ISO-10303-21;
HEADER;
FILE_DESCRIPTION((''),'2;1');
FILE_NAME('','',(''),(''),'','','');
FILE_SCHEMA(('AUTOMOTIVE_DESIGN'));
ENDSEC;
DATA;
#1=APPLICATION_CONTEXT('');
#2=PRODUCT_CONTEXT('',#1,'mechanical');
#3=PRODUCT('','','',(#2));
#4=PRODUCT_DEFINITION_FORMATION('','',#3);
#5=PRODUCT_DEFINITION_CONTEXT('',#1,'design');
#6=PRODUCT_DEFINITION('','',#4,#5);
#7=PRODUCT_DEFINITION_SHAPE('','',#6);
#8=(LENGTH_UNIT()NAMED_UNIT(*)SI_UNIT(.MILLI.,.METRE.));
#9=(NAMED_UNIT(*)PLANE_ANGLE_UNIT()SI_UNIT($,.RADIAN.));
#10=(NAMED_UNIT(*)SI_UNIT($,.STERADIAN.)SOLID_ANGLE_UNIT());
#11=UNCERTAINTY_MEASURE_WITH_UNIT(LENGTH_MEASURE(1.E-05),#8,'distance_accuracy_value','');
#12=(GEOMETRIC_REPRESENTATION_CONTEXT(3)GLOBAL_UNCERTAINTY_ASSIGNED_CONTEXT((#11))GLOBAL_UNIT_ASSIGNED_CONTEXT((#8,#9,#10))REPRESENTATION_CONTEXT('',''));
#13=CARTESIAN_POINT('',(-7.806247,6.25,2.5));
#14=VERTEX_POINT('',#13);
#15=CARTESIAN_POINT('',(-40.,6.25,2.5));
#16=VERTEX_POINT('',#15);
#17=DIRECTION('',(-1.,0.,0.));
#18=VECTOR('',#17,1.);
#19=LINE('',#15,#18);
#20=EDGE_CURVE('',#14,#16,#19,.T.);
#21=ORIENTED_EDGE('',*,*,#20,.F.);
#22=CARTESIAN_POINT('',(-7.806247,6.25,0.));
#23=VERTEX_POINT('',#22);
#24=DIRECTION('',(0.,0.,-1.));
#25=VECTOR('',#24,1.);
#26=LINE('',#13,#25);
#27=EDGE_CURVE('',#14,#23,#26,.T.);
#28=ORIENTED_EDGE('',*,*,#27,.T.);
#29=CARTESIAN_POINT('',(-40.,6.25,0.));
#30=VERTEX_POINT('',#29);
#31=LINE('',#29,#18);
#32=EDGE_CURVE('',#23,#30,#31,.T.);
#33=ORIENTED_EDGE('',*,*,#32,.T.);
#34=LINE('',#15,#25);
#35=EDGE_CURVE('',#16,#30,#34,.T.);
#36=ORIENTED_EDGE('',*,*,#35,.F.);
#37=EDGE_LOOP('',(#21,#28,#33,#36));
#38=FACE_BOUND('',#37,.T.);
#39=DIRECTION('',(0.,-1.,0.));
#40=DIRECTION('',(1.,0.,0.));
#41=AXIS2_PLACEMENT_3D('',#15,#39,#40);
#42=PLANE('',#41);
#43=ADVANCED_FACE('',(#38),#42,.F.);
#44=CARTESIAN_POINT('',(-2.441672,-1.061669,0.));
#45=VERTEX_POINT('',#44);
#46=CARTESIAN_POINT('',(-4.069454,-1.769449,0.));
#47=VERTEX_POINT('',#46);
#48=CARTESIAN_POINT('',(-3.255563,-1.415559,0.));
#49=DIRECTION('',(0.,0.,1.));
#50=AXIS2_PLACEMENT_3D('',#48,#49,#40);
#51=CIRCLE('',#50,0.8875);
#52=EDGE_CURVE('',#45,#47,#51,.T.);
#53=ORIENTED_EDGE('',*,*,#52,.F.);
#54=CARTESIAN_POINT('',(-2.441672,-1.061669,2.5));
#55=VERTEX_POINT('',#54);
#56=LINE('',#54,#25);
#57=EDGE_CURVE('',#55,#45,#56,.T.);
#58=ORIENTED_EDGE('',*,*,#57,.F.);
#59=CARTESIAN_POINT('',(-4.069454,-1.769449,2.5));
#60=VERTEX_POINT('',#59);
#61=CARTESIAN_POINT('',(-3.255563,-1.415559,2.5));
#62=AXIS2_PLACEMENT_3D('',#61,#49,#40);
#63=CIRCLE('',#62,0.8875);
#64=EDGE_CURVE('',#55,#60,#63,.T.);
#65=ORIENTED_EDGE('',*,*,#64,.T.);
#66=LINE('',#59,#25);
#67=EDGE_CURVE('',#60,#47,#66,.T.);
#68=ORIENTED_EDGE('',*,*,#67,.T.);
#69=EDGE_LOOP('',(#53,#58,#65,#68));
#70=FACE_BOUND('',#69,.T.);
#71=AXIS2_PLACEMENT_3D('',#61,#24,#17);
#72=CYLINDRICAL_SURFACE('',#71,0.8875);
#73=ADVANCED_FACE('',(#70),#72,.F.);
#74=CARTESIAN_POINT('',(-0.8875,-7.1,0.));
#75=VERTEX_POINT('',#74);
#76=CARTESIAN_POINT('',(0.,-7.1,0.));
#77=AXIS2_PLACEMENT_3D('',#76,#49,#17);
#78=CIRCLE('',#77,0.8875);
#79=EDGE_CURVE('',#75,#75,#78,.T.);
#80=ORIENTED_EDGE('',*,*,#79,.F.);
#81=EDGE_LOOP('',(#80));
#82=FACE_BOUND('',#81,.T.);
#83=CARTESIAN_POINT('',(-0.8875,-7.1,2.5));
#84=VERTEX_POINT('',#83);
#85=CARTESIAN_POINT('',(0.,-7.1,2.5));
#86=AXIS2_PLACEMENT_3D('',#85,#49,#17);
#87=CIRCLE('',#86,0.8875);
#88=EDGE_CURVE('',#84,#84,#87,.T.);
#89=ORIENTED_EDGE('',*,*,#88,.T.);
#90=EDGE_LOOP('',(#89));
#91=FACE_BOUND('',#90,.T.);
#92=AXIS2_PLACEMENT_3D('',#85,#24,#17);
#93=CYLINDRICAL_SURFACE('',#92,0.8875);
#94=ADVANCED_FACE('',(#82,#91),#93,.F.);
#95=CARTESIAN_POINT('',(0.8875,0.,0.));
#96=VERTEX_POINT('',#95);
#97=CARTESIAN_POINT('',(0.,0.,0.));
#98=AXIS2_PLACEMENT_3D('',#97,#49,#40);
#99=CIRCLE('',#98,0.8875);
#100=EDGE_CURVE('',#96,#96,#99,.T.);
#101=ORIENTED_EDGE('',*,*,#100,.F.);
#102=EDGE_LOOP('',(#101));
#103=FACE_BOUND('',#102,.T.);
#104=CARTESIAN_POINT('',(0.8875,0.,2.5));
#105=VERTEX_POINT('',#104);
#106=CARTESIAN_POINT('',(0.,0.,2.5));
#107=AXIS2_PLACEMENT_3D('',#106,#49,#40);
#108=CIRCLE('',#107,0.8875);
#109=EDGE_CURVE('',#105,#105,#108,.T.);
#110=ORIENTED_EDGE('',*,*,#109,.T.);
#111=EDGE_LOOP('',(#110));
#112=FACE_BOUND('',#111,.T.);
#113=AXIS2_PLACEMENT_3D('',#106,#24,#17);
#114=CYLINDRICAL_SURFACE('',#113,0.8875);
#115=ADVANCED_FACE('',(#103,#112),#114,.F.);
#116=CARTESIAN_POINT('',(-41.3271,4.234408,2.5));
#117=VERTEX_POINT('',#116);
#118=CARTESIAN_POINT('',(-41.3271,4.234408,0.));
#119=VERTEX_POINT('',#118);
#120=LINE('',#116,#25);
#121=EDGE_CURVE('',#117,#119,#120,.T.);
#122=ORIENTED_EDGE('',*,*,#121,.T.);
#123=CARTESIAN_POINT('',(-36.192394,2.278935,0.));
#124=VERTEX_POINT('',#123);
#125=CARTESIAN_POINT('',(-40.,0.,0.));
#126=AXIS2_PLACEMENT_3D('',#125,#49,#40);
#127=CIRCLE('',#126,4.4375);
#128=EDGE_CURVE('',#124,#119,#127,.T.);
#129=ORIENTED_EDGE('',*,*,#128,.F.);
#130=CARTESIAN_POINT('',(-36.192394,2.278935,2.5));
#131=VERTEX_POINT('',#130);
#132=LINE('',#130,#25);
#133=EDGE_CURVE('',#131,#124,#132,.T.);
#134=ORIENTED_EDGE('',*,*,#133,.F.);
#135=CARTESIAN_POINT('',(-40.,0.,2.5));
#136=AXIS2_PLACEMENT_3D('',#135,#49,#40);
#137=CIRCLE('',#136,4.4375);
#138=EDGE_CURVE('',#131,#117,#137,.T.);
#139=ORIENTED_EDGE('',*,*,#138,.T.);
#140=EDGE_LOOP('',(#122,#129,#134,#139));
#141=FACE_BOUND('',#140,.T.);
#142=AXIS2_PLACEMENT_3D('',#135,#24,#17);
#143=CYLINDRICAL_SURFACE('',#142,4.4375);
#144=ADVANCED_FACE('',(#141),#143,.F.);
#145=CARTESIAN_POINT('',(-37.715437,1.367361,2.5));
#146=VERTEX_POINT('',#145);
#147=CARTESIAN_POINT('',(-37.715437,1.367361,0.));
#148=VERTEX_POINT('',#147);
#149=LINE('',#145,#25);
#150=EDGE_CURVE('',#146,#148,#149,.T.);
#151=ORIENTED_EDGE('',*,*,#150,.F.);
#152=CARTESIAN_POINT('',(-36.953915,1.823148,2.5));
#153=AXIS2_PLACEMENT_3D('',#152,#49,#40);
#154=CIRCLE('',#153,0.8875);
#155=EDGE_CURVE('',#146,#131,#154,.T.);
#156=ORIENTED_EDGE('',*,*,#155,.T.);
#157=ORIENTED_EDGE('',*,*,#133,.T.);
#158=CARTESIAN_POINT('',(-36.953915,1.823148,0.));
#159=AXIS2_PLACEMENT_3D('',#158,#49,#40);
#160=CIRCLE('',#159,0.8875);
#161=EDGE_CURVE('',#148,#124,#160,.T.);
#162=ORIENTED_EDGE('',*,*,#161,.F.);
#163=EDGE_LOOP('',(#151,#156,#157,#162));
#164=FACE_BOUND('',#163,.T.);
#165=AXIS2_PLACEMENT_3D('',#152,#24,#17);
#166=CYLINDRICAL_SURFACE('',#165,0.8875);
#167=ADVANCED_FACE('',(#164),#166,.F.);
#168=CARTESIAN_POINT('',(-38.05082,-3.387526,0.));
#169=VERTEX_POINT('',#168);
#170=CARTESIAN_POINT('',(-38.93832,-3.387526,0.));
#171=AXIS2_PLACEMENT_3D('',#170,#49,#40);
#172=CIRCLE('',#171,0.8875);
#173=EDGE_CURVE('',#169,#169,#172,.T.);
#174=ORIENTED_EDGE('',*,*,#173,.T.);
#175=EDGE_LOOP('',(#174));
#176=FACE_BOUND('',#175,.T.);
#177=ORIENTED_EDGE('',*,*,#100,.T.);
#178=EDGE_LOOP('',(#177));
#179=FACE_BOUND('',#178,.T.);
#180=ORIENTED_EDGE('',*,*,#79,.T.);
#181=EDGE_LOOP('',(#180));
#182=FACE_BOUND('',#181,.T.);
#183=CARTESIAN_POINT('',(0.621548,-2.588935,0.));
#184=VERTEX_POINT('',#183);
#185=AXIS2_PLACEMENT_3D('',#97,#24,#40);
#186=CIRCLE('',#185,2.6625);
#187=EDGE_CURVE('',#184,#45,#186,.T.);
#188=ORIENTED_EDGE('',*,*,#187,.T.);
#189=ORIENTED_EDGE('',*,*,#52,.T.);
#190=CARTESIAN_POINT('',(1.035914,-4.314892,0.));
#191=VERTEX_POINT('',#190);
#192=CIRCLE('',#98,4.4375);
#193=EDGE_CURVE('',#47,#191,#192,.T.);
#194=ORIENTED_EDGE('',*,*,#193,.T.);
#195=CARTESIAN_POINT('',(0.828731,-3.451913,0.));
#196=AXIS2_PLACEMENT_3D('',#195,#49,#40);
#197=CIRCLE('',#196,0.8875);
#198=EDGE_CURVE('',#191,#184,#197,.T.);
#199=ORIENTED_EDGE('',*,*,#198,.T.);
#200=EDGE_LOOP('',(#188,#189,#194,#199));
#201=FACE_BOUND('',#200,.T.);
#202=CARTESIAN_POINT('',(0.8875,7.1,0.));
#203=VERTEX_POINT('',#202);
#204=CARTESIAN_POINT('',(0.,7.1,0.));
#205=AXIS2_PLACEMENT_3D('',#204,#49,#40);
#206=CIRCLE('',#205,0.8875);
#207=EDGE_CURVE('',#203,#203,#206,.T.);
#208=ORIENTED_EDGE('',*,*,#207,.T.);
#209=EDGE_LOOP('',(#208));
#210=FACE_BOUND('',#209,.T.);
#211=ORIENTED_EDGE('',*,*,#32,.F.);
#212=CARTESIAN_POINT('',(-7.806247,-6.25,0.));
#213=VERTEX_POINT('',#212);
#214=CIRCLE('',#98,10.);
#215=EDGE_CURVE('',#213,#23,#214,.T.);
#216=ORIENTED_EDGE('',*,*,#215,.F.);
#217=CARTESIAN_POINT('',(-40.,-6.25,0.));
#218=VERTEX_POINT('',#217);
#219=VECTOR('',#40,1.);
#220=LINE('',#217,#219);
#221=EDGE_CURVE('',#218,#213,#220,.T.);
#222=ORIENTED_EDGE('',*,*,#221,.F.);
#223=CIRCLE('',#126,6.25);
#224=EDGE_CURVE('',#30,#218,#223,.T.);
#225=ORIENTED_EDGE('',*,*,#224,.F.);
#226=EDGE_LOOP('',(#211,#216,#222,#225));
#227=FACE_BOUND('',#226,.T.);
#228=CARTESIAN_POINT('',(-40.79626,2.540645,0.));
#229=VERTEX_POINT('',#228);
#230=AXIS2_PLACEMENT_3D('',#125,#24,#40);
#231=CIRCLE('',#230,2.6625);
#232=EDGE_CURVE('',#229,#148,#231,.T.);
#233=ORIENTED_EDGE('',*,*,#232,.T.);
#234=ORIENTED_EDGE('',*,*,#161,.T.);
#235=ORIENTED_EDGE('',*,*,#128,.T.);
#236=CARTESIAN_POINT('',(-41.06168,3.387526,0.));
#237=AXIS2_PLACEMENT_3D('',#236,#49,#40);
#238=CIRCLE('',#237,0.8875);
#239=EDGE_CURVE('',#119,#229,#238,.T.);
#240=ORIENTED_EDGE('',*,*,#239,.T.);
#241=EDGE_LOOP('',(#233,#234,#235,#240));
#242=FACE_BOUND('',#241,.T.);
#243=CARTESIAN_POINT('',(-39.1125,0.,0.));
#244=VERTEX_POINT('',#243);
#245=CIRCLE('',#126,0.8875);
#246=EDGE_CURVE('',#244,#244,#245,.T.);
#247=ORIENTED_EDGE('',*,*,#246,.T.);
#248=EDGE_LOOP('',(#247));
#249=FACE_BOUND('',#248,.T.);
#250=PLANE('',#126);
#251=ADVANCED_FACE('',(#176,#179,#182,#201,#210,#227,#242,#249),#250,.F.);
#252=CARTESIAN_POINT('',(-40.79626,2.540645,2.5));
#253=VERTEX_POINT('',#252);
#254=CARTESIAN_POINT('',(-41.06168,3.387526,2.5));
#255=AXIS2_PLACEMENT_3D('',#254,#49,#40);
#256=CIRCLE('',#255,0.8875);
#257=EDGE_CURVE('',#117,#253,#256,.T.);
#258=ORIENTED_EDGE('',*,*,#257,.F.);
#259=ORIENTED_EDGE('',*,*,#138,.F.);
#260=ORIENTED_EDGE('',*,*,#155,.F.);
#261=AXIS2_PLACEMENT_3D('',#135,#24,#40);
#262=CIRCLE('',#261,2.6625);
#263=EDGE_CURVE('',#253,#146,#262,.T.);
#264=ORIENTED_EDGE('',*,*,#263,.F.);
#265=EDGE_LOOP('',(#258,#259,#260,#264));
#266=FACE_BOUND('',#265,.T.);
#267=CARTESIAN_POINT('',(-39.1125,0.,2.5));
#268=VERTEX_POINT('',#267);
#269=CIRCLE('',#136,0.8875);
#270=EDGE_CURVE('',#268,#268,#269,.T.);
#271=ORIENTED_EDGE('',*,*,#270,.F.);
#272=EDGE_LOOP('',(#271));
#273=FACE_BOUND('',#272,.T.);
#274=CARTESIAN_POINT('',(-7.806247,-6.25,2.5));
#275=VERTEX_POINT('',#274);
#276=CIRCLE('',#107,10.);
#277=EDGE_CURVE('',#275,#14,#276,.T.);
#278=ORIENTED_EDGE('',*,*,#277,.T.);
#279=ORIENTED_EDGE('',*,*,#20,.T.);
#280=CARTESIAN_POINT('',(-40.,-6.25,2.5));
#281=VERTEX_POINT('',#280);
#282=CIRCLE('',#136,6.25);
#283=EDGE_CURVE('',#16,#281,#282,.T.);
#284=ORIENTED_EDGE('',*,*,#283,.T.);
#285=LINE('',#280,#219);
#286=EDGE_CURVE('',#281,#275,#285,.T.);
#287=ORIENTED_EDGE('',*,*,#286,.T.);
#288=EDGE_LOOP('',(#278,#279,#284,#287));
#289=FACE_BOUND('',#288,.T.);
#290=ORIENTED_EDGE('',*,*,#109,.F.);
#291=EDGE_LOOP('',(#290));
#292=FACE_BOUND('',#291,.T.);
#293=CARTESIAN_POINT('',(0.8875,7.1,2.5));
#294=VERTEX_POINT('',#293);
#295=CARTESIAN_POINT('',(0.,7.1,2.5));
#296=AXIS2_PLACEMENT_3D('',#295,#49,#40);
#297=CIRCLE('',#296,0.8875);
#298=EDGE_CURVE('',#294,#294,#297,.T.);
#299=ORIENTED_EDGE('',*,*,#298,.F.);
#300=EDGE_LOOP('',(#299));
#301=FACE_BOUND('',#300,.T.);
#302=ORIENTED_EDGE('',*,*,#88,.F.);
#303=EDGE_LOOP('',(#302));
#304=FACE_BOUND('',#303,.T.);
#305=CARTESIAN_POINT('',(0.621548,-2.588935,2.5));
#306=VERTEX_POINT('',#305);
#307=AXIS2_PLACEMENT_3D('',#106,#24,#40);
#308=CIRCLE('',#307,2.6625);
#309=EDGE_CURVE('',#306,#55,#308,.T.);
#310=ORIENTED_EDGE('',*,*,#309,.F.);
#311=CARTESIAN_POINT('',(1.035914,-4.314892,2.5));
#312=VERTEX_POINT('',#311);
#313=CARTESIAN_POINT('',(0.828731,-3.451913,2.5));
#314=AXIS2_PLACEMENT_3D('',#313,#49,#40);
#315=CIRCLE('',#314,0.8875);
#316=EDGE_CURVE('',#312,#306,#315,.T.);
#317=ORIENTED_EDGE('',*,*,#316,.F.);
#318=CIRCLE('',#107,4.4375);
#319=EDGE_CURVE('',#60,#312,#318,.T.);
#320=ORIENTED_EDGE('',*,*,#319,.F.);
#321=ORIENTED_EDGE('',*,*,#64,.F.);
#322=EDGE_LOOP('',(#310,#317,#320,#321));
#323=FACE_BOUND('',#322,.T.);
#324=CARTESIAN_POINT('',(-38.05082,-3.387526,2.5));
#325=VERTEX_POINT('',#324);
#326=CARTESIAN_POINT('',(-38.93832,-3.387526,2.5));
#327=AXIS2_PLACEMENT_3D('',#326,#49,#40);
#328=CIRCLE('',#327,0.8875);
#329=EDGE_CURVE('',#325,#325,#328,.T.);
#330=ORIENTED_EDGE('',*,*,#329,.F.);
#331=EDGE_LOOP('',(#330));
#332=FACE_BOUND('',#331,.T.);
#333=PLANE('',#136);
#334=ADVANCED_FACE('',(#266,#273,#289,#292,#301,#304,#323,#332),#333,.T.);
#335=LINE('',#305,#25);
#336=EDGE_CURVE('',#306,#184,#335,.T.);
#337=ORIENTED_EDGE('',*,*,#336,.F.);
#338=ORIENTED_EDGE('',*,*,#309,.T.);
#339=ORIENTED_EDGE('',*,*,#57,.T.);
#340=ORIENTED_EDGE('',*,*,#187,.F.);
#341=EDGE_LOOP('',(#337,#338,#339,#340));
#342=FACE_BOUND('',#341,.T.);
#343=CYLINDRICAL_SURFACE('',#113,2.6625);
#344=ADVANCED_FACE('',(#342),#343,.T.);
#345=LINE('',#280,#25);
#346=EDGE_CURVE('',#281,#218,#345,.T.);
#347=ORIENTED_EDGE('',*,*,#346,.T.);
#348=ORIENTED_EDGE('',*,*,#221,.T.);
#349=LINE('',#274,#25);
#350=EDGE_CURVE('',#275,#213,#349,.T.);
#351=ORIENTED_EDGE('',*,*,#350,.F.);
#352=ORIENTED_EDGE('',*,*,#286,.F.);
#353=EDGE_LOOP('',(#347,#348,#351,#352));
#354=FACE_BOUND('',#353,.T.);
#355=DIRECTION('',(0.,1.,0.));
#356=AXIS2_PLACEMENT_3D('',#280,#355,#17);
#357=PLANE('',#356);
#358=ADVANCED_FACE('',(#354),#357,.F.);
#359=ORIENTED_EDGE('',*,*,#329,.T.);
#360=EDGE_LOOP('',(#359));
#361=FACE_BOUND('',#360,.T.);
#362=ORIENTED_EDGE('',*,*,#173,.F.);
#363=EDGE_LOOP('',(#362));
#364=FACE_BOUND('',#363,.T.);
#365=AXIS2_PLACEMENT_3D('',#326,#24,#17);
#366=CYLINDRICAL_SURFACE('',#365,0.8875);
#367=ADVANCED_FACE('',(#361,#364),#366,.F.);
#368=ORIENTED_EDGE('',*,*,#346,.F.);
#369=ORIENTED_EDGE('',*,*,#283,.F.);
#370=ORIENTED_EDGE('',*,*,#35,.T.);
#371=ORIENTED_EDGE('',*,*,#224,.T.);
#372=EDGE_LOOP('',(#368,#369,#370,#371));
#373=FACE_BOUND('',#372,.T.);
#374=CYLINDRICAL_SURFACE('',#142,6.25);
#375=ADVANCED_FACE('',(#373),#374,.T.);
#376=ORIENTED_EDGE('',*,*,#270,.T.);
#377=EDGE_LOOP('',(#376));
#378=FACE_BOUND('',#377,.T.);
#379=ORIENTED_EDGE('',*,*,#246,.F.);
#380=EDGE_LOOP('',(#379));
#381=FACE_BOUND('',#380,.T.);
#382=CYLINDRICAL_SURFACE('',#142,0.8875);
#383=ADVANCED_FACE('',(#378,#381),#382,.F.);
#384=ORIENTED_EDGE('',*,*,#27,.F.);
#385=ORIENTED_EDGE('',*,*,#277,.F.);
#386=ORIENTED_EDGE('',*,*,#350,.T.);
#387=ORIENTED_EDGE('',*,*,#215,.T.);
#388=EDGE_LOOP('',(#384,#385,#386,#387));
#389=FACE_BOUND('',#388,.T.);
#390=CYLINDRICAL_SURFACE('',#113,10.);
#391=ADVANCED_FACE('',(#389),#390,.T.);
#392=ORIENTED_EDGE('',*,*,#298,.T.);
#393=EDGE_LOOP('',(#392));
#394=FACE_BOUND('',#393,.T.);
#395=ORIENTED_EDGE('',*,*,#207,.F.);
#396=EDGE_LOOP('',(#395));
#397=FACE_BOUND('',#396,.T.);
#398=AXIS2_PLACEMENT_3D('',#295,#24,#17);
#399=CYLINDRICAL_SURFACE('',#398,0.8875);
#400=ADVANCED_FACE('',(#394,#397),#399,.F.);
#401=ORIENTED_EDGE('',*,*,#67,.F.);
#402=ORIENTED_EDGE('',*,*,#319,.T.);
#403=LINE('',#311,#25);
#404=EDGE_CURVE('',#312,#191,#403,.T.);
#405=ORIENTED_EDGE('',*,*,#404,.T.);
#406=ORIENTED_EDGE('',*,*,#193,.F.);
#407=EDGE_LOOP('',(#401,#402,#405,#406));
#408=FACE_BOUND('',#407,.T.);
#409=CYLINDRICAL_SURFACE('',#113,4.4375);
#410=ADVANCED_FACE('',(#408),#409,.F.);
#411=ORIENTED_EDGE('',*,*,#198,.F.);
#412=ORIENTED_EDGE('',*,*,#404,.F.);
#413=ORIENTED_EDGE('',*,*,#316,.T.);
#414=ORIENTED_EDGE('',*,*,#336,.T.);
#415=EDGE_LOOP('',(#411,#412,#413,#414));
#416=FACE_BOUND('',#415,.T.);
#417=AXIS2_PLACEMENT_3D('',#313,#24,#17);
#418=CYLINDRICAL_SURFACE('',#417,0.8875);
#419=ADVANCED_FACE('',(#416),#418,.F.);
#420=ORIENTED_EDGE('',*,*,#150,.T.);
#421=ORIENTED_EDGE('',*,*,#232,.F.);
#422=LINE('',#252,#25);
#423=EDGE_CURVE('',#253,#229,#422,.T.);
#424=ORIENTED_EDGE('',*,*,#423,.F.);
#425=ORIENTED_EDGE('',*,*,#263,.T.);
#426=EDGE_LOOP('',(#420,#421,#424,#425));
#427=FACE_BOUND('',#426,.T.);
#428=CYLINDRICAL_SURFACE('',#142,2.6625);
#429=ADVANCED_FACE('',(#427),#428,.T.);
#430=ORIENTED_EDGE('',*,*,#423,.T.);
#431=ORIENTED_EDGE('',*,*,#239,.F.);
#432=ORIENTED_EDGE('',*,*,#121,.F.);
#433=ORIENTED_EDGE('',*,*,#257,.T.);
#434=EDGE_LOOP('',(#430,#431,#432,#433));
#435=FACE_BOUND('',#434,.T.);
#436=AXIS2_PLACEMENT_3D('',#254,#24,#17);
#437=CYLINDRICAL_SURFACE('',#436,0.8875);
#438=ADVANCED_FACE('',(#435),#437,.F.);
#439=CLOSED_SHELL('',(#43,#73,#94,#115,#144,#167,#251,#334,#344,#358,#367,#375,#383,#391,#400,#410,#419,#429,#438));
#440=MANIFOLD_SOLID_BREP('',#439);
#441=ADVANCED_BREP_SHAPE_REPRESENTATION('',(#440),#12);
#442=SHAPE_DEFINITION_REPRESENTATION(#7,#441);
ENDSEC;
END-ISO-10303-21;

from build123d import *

# Parameters (mm, degrees)
SKETCH1_R           = 0.8875
BOSS_EXTRUDE1_DEPTH = 2.5


with BuildPart() as part:
    # Sketch1 → Boss-Extrude1 (new body)
    with BuildSketch(Plane.XY):
        with BuildLine():
            Line((-40, 6.25), (-7.806247498, 6.25))
            ThreePointArc((-7.806247498, 6.25), (10, 0), (-7.806247498, -6.25))
            Line((-7.806247498, -6.25), (-40, -6.25))
            ThreePointArc((-40, -6.25), (-46.25, 0), (-40, 6.25))
        make_face()
        Circle(SKETCH1_R, mode=Mode.SUBTRACT)
        with Locations((-40, 0)):
            Circle(SKETCH1_R, mode=Mode.SUBTRACT)
        with Locations((0, 7.1)):
            Circle(SKETCH1_R, mode=Mode.SUBTRACT)
        with Locations((0, -7.1)):
            Circle(SKETCH1_R, mode=Mode.SUBTRACT)
        with Locations((-38.938319925, -3.387526445)):
            Circle(SKETCH1_R, mode=Mode.SUBTRACT)
        with BuildLine():
            ThreePointArc((-36.192394339, 2.278935142), (-38.420697766, 4.146951977), (-41.327100094, 4.234408057))
            ThreePointArc((-41.327100094, 4.234408057), (-41.908561687, 3.122106427), (-40.796260056, 2.540644834))
            ThreePointArc((-40.796260056, 2.540644834), (-39.05241866, 2.488171186), (-37.715436604, 1.367361085))
            ThreePointArc((-37.715436604, 1.367361085), (-36.498128443, 1.061626982), (-36.192394339, 2.278935142))
        make_face(mode=Mode.SUBTRACT)
        with BuildLine():
            ThreePointArc((-4.06945408, -1.769448993), (-1.980002796, -3.97127123), (1.035913802, -4.314891522))
            ThreePointArc((1.035913802, -4.314891522), (1.691709346, -3.244730457), (0.621548281, -2.588934913))
            ThreePointArc((0.621548281, -2.588934913), (-1.188001677, -2.382762738), (-2.441672448, -1.061669396))
            ThreePointArc((-2.441672448, -1.061669396), (-3.609453063, -0.601668379), (-4.06945408, -1.769448993))
        make_face(mode=Mode.SUBTRACT)
    extrude(amount=BOSS_EXTRUDE1_DEPTH)


solid = part.part
